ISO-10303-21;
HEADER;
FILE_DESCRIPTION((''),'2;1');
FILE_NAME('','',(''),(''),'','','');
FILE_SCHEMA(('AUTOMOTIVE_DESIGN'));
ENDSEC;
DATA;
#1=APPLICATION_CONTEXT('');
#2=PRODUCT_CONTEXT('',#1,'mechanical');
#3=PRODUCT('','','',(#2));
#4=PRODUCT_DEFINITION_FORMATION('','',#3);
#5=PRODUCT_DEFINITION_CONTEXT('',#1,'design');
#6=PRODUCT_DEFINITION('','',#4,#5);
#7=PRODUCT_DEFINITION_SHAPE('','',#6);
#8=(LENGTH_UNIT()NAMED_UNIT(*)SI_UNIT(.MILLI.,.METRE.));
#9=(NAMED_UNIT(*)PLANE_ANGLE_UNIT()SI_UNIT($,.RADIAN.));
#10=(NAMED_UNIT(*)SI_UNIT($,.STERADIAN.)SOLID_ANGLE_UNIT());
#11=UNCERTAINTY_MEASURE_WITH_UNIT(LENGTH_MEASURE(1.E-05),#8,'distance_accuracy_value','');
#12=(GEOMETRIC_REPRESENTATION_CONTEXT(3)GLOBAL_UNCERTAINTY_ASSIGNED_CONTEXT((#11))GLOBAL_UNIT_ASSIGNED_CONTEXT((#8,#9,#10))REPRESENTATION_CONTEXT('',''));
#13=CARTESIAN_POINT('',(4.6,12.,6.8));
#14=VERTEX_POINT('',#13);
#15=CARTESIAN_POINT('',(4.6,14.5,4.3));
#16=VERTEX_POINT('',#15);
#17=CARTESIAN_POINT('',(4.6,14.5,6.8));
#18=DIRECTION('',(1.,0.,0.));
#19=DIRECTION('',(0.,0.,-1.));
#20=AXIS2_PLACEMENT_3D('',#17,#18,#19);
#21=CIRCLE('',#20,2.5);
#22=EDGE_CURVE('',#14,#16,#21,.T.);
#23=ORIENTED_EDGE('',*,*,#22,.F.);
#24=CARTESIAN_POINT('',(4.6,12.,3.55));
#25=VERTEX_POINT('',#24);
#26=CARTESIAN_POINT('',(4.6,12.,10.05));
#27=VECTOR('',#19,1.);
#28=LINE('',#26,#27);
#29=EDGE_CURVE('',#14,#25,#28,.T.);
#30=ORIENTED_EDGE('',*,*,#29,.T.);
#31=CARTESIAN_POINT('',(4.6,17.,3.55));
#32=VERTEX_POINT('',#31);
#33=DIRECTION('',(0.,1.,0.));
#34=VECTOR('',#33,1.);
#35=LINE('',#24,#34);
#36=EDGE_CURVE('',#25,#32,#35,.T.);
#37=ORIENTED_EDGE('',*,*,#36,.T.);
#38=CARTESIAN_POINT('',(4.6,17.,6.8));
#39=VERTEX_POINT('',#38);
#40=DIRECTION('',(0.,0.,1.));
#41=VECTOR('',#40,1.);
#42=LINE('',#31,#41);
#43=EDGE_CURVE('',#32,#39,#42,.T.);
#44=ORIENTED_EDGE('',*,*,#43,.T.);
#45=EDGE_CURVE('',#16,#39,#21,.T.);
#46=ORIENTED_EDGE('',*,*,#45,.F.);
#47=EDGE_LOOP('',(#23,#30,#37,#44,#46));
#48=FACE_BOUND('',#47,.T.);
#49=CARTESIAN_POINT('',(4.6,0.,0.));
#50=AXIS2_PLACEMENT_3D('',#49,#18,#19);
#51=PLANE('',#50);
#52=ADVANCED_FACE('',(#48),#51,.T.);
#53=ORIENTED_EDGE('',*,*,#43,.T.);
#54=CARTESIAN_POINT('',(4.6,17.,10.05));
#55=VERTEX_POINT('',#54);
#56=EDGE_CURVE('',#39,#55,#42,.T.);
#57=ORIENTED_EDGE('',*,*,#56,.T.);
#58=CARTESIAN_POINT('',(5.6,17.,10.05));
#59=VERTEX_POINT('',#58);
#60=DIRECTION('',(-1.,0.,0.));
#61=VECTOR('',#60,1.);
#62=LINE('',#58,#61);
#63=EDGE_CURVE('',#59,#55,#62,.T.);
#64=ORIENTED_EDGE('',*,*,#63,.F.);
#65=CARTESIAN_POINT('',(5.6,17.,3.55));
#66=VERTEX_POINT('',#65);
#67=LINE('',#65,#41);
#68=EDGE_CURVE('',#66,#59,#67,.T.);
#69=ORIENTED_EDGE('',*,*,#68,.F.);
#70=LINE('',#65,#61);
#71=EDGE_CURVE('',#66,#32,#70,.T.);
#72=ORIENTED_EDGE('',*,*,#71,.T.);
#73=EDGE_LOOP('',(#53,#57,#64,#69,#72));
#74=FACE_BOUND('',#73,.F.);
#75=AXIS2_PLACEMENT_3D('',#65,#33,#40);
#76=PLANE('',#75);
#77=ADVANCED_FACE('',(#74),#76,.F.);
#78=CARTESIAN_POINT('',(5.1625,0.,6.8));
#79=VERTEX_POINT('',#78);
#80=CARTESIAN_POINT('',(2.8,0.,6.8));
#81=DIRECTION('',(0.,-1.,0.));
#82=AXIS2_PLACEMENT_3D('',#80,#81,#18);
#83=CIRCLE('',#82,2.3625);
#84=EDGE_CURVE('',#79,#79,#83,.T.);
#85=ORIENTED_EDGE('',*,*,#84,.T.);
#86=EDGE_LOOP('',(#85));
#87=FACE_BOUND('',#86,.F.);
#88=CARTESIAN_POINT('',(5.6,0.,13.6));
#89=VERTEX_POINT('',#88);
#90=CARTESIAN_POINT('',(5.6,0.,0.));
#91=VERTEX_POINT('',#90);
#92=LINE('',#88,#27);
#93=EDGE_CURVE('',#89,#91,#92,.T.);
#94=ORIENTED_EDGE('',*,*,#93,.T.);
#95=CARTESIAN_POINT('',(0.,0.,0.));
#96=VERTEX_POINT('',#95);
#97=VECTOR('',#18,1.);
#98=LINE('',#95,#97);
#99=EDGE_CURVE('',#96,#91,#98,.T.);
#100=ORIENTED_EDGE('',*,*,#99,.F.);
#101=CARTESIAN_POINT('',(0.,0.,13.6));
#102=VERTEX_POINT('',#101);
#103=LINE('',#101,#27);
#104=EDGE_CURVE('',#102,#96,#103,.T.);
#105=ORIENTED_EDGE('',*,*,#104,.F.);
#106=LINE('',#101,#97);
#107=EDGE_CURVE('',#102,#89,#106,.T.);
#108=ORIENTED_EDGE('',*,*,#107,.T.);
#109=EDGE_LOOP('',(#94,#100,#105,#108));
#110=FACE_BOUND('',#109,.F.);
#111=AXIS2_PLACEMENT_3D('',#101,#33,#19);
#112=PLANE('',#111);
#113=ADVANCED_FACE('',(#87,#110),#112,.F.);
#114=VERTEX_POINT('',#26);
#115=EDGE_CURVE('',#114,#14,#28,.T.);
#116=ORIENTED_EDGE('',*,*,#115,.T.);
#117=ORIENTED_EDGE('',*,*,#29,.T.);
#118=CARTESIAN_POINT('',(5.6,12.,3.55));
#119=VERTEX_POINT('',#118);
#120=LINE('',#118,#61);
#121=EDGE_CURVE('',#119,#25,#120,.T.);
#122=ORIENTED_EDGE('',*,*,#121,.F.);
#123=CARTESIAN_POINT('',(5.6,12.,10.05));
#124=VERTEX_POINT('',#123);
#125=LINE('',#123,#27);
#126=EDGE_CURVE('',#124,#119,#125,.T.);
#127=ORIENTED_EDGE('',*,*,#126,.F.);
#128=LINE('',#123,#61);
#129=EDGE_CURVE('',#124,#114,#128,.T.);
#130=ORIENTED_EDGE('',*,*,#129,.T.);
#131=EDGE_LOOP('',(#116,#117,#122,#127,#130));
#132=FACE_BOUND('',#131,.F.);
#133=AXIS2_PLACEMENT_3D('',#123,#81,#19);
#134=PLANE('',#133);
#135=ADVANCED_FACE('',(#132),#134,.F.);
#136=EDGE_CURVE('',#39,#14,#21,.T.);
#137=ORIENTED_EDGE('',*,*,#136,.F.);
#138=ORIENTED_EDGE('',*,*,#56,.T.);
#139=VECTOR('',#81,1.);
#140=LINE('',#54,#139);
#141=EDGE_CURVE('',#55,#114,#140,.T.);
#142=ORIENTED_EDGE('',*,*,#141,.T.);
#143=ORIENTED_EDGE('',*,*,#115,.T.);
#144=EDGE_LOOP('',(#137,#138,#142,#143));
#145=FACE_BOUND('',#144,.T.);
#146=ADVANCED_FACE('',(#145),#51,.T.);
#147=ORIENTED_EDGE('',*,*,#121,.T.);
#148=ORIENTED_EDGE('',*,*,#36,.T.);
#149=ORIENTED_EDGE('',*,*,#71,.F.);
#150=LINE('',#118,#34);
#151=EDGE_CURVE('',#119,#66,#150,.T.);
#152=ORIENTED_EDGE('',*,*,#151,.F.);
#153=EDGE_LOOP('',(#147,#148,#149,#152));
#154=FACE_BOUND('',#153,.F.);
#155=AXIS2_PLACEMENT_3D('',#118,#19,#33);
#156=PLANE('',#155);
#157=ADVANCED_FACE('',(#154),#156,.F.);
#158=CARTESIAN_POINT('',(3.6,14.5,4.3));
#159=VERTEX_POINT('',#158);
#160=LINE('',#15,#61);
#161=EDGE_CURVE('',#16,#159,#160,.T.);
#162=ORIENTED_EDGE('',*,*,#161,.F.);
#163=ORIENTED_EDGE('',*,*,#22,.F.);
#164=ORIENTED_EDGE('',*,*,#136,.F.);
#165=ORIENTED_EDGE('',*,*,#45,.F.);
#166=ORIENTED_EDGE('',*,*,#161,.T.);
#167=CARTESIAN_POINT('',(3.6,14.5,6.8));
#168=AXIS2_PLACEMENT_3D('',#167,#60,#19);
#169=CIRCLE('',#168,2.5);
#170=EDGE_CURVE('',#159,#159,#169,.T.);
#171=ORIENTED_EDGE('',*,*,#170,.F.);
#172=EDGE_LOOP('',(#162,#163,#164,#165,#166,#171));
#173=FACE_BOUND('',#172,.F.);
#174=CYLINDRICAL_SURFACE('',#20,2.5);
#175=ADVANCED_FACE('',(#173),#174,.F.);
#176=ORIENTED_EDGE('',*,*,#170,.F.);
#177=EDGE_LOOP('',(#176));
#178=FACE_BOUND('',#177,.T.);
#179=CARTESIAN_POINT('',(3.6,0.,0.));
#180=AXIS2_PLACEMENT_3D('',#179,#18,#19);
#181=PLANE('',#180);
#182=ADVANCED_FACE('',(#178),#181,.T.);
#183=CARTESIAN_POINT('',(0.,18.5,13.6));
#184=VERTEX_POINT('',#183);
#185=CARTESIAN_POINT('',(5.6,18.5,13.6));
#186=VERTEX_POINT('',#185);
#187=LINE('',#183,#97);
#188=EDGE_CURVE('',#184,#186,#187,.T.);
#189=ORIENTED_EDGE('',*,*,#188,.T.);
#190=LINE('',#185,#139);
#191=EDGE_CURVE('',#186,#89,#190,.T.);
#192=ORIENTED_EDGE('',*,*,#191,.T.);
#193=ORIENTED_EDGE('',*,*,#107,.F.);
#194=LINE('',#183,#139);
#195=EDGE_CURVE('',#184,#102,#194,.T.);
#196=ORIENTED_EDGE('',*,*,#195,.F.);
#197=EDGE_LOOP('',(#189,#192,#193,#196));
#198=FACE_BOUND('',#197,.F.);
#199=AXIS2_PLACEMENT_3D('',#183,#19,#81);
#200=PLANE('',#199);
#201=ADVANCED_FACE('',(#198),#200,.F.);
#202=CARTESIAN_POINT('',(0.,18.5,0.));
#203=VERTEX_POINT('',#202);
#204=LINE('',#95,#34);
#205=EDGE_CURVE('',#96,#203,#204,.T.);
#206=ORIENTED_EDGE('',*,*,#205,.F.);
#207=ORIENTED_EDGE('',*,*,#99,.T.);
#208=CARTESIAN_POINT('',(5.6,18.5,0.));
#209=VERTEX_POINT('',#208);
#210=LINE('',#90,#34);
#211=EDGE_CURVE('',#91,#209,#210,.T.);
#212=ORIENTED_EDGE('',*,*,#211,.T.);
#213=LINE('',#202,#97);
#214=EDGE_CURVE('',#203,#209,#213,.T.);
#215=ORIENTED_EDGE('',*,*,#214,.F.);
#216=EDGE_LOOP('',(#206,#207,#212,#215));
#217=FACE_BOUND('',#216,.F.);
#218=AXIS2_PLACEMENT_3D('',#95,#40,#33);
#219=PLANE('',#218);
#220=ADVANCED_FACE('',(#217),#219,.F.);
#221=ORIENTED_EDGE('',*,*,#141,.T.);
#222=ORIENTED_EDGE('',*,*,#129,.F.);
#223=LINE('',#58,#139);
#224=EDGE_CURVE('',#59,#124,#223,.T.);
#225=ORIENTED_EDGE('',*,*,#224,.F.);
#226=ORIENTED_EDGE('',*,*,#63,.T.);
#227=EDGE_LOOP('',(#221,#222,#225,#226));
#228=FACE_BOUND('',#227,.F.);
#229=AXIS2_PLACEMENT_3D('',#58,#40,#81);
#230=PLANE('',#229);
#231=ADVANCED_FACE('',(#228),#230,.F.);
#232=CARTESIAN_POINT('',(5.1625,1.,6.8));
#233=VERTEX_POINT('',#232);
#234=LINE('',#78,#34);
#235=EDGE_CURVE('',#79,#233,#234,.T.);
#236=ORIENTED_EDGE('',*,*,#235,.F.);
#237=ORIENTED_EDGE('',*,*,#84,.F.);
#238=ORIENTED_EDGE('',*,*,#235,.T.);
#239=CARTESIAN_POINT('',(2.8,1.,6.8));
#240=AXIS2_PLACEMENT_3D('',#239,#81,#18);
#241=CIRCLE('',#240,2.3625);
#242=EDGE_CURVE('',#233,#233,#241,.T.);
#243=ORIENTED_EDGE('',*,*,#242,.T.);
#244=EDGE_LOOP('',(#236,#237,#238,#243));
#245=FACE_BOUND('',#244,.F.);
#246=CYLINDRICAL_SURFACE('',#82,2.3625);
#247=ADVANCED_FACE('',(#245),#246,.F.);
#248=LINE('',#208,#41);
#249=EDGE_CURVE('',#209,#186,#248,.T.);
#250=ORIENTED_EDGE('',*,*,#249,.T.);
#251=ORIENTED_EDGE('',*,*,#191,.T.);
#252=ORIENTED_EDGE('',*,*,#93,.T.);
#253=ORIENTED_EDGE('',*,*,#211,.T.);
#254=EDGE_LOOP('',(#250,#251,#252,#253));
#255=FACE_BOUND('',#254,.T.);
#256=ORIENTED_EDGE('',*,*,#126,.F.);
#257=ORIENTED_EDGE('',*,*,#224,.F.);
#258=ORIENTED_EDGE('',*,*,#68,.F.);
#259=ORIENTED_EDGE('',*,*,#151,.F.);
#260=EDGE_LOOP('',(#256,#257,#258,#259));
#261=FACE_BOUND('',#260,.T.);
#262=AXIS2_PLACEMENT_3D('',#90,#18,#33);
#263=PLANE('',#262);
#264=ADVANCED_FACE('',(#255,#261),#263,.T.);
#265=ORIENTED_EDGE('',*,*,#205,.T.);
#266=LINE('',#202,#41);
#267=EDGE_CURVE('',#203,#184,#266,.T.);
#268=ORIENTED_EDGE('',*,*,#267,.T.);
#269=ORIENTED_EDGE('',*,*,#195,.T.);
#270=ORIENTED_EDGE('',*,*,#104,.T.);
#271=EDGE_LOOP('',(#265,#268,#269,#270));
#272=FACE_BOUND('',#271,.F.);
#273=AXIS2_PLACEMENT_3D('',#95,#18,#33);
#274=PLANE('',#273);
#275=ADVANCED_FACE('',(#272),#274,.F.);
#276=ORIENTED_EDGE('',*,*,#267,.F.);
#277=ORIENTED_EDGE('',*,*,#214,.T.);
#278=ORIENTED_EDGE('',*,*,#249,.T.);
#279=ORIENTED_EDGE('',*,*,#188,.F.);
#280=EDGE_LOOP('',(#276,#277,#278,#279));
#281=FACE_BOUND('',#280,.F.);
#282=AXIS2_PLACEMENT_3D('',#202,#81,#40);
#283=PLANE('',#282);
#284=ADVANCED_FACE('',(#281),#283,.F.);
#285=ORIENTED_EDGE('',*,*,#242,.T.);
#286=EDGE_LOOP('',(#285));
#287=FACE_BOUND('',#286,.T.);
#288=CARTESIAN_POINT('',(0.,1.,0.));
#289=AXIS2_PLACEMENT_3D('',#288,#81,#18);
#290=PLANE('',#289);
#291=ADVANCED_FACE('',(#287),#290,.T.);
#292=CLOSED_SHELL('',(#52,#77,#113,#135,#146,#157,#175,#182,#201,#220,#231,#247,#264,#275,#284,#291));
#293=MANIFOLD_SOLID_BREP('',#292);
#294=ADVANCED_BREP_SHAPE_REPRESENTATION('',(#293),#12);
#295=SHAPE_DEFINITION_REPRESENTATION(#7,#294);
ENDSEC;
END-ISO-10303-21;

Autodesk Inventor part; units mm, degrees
ref_plane "YZ Plane" through (0, 0, 0) normal (1, 0, 0) x (0, 1, 0)
ref_plane "XZ Plane" through (0, 0, 0) normal (0, 1, 0) x (-1, 0, 0)
ref_plane "XY Plane" through (0, 0, 0) normal (0, 0, 1) x (1, 0, 0)
sketch "Skizze1" plane through (0, 0, 0) normal (1, 0, 0) x (0, 1, 0)
  line L0 (0, 0) -> (18.5, 0)
  line L1 (18.5, 0) -> (18.5, 13.6)
  line L2 (18.5, 13.6) -> (0, 13.6)
  line L3 (0, 13.6) -> (0, 0)
  dimension "d0" = 18.5
  dimension "d1" = 13.6
extrude "Extrusion1" add sketch "Skizze1" along normal blind 5.6
sketch "Skizze2" plane through (5.6, 0, 0) normal (1, 0, 0) x (0, 0, -1)
  line L0 (0, 18.5) -> (-13.6, 18.5) projected
  line L1 (-13.6, 18.5) -> (-13.6, 0) projected
  line L2 (-13.6, 0) -> (0, 0) projected
  line L3 (0, 0) -> (0, 18.5) projected
  line L4 (-10.05, 12) -> (-3.55, 12)
  line L5 (-3.55, 12) -> (-3.55, 17)
  line L6 (-3.55, 17) -> (-10.05, 17)
  line L7 (-10.05, 17) -> (-10.05, 12)
  line L8 (-10.05, 12) -> (-3.55, 17) construction
  line L9 (-3.55, 12) -> (-10.05, 17) construction
  point P0 (-6.8, 14.5)
  dimension "d4" = 6.5
  dimension "d5" = 5
  dimension "d6" = 1.5
extrude "Extrusion2" cut sketch "Skizze2" against normal blind 1 contours L7 L6 L5 L4
sketch "Skizze3" plane through (0, 0, 0) normal (0, -1, 0) x (1, 0, 0)
  line L0 (0, 13.6) -> (0, 0) projected
  line L1 (0, 0) -> (5.6, 0) projected
  line L2 (5.6, 13.6) -> (5.6, 0) projected
  line L3 (0, 13.6) -> (5.6, 13.6) projected
  circle A0 centre (2.8, 6.8) radius 2.3625
extrude "Extrusion3" cut sketch "Skizze3" against normal blind 1 contours A0
sketch "Skizze4" plane through (4.6, 0, 0) normal (1, 0, 0) x (0, 0, -1)
  line L0 (-3.55, 17) -> (-3.55, 12) projected
  line L1 (-10.05, 17) -> (-3.55, 17) projected
  line L2 (-10.05, 12) -> (-10.05, 17) projected
  line L3 (-3.55, 12) -> (-10.05, 12) projected
  circle A0 centre (-6.8, 14.5) radius 2.5
  point P0 (0, 0)
extrude "Extrusion4" cut sketch "Skizze4" against normal blind 1 contours A0
ref_plane "Arbeitsebene1" through (2.8, 0, 0) normal (-1, 0, 0) x (0, 0, 1)
properties part number "00_huawei_p30_Objectivelensassembly"
